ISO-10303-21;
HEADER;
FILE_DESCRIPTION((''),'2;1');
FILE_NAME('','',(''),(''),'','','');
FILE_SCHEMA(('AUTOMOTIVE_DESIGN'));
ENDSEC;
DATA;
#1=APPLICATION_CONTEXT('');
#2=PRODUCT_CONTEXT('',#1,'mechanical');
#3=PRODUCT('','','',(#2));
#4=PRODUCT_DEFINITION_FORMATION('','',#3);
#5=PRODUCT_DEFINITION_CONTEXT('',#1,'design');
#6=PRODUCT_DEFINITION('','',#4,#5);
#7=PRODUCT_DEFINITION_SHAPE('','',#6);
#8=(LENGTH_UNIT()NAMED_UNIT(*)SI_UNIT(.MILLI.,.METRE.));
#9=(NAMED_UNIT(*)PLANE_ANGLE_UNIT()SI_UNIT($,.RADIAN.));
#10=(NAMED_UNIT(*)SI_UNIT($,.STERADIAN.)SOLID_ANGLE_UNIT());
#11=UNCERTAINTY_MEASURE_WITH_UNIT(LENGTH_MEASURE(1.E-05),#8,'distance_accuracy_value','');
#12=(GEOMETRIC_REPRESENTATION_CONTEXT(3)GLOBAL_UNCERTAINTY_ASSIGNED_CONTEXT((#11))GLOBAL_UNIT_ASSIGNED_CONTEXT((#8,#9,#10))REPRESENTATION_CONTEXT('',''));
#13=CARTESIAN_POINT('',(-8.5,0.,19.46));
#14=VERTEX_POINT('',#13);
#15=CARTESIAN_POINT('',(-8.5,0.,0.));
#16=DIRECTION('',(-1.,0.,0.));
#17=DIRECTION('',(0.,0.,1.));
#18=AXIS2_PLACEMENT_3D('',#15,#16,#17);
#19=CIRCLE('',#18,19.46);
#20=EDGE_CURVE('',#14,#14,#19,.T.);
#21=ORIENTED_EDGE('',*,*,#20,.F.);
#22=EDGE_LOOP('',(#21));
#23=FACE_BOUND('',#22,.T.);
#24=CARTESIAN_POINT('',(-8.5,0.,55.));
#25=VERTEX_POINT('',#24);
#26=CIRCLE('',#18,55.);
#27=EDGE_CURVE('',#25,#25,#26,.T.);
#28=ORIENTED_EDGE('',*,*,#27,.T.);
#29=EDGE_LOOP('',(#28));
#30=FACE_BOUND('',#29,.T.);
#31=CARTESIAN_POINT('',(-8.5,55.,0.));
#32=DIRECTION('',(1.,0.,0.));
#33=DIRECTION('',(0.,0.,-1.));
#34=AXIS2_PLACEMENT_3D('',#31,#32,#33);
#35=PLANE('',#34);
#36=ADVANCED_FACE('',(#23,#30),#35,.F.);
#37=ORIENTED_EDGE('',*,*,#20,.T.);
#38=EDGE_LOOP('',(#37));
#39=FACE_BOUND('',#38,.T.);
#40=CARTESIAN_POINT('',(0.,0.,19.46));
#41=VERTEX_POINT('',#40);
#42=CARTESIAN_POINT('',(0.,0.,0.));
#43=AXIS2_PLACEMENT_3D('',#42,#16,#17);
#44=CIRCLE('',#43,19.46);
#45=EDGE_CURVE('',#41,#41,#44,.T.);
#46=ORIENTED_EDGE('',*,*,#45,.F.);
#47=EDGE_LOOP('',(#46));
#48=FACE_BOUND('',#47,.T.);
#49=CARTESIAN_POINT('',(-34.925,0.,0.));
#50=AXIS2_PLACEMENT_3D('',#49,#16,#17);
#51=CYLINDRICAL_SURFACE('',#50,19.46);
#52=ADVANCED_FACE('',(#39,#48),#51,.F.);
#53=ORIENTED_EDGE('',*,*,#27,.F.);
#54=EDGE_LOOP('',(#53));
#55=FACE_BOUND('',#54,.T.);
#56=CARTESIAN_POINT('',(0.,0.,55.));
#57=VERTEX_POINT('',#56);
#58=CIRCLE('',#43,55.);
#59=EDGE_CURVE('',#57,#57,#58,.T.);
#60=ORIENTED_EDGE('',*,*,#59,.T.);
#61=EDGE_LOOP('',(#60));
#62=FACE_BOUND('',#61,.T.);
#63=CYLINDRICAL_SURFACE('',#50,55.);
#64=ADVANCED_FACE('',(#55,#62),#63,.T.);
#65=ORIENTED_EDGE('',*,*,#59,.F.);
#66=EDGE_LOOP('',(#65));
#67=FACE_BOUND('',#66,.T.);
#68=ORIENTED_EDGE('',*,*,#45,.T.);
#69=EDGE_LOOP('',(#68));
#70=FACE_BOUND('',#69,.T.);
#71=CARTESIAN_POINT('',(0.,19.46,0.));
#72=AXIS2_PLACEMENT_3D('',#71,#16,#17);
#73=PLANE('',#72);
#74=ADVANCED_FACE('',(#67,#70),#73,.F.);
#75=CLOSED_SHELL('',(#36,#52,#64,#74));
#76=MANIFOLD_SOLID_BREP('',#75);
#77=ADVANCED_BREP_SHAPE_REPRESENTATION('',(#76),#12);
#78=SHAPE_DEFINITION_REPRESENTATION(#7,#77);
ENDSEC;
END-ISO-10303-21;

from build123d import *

# Parameters (mm, degrees)
SKETCH1_W = 8.5
SKETCH1_H = 35.54


with BuildPart() as part:
    # Sketch1 → Base-Revolve (revolve)
    with BuildSketch(Plane.XY, mode=Mode.PRIVATE) as base_revolve_sk:
        with Locations((-4.25, 37.23)):
            Rectangle(SKETCH1_W, SKETCH1_H)
    revolve(base_revolve_sk.sketch.rotate(Axis((-34.925, 0, 0), (1, 0, 0)), 90), axis=Axis((-34.925, 0, 0), (1, 0, 0)))


solid = part.part
